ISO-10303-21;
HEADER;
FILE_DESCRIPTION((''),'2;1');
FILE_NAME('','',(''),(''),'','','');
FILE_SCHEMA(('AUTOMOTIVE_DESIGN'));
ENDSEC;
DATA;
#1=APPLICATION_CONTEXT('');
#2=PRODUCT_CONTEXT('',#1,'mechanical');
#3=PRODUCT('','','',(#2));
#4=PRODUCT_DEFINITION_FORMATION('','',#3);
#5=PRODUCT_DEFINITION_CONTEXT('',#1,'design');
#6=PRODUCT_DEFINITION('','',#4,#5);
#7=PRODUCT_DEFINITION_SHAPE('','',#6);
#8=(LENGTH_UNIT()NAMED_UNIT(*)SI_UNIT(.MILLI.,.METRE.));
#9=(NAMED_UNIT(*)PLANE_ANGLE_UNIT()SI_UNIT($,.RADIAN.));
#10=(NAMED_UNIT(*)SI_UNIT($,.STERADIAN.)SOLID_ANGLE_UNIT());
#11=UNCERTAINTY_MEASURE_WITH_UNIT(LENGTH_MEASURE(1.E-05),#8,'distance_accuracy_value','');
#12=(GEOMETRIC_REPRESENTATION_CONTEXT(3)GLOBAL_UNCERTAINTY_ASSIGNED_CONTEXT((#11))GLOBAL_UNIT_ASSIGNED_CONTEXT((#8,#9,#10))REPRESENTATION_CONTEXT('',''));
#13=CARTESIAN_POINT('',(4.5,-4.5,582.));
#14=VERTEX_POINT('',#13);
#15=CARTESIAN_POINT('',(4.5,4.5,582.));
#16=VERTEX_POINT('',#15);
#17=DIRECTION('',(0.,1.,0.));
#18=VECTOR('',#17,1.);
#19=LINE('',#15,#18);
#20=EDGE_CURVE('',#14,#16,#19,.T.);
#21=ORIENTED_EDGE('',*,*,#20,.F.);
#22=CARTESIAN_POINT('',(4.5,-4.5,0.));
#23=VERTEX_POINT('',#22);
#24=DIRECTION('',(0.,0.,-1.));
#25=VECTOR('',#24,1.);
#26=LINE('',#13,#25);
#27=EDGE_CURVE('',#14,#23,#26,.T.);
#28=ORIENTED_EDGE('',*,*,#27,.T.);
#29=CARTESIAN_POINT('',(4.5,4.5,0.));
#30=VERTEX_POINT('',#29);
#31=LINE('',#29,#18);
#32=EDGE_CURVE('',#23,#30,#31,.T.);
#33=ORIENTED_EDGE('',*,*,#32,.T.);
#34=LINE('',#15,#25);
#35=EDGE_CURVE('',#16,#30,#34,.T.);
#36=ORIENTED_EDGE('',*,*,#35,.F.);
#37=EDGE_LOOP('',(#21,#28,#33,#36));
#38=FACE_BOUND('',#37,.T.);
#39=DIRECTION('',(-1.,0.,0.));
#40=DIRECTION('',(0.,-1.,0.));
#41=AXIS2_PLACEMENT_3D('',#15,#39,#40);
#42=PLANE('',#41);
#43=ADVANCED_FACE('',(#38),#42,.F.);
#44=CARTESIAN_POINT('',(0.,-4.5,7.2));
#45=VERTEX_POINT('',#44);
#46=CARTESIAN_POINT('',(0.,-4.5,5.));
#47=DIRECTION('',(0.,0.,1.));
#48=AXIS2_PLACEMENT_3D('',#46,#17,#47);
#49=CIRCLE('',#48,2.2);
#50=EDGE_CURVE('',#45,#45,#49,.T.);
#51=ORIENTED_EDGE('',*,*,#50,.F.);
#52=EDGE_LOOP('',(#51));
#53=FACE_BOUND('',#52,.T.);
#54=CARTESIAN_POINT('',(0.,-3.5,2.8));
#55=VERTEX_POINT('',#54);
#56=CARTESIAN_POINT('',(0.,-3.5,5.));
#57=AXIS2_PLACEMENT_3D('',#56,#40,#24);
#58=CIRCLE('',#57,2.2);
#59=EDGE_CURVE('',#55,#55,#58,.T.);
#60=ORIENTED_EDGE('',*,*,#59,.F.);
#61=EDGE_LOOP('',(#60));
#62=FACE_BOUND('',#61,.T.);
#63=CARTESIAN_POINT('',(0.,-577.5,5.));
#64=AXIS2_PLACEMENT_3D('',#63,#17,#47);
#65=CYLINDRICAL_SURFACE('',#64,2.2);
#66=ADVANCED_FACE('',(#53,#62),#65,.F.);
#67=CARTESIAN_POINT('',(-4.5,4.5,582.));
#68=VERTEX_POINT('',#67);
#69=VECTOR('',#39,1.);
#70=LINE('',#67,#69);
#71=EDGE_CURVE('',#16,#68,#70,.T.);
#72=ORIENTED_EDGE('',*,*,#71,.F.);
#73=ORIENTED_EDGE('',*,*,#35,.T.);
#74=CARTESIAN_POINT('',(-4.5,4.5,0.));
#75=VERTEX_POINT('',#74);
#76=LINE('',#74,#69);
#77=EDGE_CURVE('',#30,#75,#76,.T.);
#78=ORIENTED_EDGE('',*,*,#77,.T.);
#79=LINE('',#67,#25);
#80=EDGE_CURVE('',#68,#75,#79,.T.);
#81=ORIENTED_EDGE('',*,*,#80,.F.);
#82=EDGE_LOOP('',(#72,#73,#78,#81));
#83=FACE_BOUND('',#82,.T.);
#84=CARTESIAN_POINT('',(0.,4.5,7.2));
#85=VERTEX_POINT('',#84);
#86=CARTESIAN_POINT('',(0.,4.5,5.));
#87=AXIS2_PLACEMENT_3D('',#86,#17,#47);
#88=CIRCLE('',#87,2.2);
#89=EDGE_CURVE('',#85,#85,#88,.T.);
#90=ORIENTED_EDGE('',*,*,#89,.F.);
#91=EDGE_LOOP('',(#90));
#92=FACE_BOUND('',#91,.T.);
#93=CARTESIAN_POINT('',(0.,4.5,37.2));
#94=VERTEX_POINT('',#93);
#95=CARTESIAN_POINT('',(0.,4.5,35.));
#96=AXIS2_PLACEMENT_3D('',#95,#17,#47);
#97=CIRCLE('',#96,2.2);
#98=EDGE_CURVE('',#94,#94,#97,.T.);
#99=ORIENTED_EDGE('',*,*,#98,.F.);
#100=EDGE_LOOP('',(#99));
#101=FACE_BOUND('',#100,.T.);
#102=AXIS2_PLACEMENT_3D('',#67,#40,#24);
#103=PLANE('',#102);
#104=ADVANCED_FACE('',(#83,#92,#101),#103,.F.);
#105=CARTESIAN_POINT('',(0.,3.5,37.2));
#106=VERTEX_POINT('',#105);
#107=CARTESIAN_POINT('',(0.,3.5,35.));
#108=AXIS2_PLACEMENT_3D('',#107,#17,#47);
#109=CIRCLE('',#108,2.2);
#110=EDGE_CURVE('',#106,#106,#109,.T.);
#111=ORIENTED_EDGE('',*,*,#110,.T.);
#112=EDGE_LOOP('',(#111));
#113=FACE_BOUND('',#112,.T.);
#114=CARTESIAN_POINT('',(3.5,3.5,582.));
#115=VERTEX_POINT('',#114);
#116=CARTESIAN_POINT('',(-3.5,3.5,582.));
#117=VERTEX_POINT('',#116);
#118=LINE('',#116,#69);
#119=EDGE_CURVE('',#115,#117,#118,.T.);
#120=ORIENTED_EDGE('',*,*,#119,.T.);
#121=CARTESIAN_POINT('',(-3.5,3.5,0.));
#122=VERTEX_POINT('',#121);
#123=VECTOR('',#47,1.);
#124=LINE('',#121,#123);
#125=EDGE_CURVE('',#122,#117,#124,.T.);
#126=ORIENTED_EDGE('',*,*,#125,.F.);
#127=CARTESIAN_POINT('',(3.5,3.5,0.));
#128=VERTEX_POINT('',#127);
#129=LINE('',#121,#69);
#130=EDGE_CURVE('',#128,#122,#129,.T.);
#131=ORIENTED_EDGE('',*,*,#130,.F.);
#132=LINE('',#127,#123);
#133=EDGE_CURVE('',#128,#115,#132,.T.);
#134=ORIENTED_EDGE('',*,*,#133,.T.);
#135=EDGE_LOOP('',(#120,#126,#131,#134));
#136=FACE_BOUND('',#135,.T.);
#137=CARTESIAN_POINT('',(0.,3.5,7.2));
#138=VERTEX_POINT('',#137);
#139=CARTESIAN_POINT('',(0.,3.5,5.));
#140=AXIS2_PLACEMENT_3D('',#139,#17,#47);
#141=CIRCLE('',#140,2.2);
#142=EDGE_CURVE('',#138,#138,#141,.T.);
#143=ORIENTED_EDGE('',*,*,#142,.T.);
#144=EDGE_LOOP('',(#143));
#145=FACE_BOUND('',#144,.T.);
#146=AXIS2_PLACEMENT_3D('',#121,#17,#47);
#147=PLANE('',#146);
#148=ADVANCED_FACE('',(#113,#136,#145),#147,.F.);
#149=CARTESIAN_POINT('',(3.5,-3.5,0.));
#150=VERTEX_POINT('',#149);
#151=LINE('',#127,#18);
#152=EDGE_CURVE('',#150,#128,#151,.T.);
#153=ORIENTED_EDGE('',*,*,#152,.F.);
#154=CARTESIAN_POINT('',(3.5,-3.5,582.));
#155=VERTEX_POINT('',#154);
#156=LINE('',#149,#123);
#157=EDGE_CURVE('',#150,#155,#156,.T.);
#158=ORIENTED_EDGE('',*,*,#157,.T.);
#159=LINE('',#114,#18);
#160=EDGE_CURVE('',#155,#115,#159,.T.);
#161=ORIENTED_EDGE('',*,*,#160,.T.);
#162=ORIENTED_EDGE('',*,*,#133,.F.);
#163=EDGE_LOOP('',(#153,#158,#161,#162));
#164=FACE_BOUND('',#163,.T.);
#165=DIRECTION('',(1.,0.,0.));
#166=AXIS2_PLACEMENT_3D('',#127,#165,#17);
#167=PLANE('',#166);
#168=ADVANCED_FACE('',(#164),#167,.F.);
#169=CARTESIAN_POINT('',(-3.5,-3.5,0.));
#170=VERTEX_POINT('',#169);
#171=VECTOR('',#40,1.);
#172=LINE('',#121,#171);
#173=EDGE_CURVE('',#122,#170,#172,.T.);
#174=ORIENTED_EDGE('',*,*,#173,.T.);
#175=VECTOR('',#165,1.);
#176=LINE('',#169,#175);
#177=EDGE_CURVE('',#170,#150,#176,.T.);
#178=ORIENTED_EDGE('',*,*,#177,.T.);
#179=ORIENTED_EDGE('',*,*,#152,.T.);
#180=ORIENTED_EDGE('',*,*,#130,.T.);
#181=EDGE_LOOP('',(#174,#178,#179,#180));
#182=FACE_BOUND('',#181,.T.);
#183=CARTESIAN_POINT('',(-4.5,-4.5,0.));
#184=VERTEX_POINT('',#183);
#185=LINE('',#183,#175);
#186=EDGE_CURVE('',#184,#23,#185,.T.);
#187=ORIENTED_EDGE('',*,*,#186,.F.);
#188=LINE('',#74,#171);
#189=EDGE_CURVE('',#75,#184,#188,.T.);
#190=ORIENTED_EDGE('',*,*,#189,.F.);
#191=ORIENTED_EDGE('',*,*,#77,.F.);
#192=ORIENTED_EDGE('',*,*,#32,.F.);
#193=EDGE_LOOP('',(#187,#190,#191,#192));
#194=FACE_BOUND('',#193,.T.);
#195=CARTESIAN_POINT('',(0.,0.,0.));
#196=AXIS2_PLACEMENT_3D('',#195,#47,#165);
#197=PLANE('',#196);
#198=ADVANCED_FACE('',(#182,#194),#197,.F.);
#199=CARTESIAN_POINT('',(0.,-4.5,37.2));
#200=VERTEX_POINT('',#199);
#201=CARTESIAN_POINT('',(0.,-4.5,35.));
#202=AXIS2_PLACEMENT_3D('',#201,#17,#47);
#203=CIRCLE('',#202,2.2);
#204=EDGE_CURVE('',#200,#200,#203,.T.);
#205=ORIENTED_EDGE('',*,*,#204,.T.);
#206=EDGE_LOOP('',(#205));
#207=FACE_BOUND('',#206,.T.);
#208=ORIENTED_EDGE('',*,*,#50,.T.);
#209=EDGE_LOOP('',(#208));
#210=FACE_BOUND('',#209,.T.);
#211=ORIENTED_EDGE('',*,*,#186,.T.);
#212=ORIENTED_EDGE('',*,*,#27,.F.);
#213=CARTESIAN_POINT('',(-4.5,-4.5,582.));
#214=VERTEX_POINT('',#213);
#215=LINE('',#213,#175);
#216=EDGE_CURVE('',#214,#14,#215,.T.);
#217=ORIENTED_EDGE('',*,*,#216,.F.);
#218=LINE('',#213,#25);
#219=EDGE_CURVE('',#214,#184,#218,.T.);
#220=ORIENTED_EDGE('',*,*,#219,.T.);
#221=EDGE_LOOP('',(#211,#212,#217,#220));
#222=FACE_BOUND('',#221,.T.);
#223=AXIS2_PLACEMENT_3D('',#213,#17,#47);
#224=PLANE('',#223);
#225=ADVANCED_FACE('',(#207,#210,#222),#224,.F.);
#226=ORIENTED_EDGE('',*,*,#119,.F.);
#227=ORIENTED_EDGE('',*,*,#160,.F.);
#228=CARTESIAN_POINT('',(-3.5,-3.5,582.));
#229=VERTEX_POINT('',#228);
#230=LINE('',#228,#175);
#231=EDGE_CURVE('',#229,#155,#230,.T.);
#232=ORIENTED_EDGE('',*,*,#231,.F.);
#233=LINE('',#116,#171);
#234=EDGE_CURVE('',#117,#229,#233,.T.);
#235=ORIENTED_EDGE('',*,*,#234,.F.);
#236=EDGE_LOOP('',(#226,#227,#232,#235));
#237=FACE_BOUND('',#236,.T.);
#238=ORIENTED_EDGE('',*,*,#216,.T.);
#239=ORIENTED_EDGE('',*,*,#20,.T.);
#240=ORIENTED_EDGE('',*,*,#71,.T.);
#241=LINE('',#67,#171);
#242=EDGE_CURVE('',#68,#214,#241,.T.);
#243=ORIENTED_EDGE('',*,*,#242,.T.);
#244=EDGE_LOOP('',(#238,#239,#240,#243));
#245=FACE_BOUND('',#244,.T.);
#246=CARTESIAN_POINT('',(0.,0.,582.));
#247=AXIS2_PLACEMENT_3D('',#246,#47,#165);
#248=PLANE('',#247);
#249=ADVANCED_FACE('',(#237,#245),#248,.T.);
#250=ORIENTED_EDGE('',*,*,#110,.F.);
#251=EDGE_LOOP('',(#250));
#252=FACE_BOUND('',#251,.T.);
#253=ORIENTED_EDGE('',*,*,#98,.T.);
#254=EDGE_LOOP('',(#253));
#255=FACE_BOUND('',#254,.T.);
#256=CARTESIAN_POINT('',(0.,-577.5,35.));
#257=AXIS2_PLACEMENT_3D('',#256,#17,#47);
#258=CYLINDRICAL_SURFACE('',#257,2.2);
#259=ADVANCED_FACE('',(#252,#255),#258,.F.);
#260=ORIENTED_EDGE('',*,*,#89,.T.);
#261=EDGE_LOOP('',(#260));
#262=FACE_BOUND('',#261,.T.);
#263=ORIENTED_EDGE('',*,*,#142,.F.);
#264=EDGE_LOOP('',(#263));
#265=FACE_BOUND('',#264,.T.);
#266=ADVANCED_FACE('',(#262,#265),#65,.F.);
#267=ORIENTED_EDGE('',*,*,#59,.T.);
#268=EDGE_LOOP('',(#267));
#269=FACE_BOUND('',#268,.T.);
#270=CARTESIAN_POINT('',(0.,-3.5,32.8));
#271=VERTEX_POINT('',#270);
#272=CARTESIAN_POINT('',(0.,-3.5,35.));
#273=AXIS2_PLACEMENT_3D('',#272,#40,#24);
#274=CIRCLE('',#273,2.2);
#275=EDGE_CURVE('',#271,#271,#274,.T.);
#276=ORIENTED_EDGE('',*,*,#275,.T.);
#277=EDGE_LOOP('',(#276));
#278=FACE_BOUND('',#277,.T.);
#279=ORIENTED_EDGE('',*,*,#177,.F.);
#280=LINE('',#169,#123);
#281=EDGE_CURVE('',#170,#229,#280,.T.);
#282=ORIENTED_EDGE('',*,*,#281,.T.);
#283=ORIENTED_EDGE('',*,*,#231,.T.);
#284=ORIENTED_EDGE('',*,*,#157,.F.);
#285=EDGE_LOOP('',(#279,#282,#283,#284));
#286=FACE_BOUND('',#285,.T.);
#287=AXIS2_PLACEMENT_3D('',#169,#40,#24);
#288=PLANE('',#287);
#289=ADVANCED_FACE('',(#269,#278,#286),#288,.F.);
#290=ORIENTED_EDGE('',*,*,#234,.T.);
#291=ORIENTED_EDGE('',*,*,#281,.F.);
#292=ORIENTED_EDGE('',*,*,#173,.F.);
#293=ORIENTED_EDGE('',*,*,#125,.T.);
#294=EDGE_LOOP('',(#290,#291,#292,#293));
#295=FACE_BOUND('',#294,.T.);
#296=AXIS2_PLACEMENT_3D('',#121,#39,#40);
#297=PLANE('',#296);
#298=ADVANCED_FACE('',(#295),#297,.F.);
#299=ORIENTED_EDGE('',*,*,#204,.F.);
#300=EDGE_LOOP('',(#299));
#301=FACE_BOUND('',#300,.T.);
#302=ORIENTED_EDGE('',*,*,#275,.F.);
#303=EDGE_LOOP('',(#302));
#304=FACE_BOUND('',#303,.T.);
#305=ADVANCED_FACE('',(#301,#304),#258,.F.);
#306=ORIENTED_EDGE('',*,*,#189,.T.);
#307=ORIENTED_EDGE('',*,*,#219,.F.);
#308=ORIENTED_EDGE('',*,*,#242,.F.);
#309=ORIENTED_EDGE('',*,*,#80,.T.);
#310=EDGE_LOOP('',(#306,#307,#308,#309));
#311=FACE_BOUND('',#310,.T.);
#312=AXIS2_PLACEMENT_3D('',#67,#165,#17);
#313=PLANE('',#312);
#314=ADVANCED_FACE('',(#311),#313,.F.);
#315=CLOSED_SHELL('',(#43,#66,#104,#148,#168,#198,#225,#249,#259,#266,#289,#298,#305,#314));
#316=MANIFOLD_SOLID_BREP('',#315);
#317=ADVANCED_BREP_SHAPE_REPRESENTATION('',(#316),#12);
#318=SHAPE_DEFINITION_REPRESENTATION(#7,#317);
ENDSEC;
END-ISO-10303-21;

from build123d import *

# Parameters (mm, degrees)
SKETCH_1_W          = 9
SKETCH_1_H          = 9
EXTRUDE_1_DEPTH     = 582
SKETCH_2_W          = 7
SKETCH_2_H          = 7
CUT_EXTRUDE_1_DEPTH = 582
SKETCH_3_R          = 2.2
CUT_EXTRUDE_2_DEPTH = 582


with BuildPart() as part:
    # ｽｹｯﾁ1 → ﾎﾞｽ - 押し出し1 (new body)
    with BuildSketch(Plane.XY):
        Rectangle(SKETCH_1_W, SKETCH_1_H)
    extrude(amount=EXTRUDE_1_DEPTH)

    # ｽｹｯﾁ2 → ｶｯﾄ - 押し出し1 (cut)
    with BuildSketch(Plane.XY.offset(582)):
        Rectangle(SKETCH_2_W, SKETCH_2_H)
    extrude(amount=-CUT_EXTRUDE_1_DEPTH, mode=Mode.SUBTRACT)

    # ｽｹｯﾁ3 → ｶｯﾄ - 押し出し2 (cut)
    with BuildSketch(Plane(origin=(0, 4.5, 0), x_dir=(1, 0, 0), z_dir=(0, 1, 0))):
        with Locations((0, -5)):
            Circle(SKETCH_3_R)
        with Locations((0, -35)):
            Circle(SKETCH_3_R)
    extrude(amount=-CUT_EXTRUDE_2_DEPTH, mode=Mode.SUBTRACT)


solid = part.part
